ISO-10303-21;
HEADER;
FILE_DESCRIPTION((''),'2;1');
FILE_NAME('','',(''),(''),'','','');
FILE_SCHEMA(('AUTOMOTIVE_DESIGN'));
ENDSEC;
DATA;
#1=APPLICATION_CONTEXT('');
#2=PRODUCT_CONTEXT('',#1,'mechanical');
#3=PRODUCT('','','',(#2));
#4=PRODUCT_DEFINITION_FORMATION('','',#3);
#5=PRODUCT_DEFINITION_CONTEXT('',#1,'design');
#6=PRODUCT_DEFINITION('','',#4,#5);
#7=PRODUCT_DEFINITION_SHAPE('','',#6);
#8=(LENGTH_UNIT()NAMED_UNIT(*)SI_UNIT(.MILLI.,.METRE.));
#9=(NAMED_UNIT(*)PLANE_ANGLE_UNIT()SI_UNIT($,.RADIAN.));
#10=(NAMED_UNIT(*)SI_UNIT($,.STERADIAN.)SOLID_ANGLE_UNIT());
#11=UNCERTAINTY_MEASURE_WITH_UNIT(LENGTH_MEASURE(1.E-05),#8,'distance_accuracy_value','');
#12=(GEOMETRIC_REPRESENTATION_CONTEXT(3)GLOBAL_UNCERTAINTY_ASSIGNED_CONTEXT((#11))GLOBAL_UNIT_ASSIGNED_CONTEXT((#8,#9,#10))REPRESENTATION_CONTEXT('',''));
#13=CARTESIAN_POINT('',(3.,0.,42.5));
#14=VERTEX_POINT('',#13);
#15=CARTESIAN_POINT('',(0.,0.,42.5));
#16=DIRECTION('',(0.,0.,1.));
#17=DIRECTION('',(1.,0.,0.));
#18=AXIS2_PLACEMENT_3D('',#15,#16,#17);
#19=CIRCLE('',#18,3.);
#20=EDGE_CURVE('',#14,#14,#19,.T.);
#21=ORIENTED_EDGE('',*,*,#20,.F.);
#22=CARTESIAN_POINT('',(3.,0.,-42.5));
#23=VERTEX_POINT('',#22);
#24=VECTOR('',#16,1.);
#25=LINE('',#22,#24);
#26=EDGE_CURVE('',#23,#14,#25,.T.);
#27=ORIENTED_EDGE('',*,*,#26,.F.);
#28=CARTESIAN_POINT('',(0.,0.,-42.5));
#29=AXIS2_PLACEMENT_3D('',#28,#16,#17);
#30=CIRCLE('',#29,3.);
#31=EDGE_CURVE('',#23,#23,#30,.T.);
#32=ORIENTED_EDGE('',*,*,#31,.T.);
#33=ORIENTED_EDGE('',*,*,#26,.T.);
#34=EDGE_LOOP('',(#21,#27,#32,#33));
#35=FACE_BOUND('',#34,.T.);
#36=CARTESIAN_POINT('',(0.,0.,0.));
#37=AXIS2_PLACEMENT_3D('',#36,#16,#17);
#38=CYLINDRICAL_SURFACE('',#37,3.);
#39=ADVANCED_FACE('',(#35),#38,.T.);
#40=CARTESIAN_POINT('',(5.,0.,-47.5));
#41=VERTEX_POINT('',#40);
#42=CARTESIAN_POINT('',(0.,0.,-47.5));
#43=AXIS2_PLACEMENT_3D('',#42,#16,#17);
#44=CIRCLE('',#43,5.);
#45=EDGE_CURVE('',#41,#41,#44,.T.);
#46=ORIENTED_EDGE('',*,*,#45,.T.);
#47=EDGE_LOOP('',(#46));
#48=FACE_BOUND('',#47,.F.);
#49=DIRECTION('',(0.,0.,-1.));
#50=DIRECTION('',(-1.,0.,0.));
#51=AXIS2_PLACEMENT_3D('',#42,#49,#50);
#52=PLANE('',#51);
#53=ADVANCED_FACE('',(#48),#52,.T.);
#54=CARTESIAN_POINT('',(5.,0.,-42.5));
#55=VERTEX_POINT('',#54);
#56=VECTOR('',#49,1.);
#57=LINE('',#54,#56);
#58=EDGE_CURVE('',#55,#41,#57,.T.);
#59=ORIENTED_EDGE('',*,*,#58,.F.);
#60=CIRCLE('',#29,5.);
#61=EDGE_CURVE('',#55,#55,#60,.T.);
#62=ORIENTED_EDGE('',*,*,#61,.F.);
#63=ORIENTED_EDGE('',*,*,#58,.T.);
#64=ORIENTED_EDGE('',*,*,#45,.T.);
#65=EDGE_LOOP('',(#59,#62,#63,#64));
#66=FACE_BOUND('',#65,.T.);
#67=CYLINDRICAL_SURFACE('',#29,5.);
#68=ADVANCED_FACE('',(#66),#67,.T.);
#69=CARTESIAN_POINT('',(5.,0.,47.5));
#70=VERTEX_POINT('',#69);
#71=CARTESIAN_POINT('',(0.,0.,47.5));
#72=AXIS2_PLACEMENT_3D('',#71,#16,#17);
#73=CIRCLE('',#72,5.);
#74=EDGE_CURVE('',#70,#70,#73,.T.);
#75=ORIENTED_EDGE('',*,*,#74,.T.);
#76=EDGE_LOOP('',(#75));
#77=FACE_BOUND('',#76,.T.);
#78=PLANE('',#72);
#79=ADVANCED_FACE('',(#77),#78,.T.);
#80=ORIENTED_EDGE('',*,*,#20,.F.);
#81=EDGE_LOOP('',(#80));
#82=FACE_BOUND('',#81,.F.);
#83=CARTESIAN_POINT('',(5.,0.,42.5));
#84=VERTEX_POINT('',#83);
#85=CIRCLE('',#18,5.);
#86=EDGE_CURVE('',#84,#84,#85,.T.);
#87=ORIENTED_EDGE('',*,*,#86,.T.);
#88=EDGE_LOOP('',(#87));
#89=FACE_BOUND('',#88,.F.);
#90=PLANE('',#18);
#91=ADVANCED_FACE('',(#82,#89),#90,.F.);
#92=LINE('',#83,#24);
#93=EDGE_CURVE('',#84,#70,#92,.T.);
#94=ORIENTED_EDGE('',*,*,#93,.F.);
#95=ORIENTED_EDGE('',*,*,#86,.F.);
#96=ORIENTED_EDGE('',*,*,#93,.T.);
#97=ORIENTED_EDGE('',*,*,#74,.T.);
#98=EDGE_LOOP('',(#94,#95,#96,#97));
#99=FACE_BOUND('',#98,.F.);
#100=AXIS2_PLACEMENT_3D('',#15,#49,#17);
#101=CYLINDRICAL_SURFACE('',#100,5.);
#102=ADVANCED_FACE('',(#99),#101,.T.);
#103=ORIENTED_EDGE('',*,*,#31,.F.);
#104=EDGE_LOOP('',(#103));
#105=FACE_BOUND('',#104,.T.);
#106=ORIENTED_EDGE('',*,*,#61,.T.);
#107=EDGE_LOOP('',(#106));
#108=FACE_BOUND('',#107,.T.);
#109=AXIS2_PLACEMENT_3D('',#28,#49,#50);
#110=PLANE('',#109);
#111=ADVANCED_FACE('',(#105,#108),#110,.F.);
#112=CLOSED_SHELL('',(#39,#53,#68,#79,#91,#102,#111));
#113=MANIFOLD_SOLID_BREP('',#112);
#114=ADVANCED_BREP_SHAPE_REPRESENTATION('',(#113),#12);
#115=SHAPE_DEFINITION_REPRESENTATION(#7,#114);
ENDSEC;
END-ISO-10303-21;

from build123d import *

# Parameters (mm, degrees)
SKETCH1_R           = 3
BOSS_EXTRUDE1_DEPTH = 42.5
SKETCH2_R           = 5
BOSS_EXTRUDE2_DEPTH = 5


with BuildPart() as part:
    # Sketch1 → Boss-Extrude1 (new body, symmetric)
    with BuildSketch(Plane.XY):
        Circle(SKETCH1_R)
    extrude(amount=BOSS_EXTRUDE1_DEPTH, both=True)

    # Sketch2 → Boss-Extrude2 (add)
    with BuildSketch(Plane.XY.offset(42.5)):
        Circle(SKETCH2_R)
    boss_extrude2 = extrude(amount=BOSS_EXTRUDE2_DEPTH)

    # Mirror1: Boss-Extrude2 across plane
    add(boss_extrude2.mirror(Plane.XY))


solid = part.part
